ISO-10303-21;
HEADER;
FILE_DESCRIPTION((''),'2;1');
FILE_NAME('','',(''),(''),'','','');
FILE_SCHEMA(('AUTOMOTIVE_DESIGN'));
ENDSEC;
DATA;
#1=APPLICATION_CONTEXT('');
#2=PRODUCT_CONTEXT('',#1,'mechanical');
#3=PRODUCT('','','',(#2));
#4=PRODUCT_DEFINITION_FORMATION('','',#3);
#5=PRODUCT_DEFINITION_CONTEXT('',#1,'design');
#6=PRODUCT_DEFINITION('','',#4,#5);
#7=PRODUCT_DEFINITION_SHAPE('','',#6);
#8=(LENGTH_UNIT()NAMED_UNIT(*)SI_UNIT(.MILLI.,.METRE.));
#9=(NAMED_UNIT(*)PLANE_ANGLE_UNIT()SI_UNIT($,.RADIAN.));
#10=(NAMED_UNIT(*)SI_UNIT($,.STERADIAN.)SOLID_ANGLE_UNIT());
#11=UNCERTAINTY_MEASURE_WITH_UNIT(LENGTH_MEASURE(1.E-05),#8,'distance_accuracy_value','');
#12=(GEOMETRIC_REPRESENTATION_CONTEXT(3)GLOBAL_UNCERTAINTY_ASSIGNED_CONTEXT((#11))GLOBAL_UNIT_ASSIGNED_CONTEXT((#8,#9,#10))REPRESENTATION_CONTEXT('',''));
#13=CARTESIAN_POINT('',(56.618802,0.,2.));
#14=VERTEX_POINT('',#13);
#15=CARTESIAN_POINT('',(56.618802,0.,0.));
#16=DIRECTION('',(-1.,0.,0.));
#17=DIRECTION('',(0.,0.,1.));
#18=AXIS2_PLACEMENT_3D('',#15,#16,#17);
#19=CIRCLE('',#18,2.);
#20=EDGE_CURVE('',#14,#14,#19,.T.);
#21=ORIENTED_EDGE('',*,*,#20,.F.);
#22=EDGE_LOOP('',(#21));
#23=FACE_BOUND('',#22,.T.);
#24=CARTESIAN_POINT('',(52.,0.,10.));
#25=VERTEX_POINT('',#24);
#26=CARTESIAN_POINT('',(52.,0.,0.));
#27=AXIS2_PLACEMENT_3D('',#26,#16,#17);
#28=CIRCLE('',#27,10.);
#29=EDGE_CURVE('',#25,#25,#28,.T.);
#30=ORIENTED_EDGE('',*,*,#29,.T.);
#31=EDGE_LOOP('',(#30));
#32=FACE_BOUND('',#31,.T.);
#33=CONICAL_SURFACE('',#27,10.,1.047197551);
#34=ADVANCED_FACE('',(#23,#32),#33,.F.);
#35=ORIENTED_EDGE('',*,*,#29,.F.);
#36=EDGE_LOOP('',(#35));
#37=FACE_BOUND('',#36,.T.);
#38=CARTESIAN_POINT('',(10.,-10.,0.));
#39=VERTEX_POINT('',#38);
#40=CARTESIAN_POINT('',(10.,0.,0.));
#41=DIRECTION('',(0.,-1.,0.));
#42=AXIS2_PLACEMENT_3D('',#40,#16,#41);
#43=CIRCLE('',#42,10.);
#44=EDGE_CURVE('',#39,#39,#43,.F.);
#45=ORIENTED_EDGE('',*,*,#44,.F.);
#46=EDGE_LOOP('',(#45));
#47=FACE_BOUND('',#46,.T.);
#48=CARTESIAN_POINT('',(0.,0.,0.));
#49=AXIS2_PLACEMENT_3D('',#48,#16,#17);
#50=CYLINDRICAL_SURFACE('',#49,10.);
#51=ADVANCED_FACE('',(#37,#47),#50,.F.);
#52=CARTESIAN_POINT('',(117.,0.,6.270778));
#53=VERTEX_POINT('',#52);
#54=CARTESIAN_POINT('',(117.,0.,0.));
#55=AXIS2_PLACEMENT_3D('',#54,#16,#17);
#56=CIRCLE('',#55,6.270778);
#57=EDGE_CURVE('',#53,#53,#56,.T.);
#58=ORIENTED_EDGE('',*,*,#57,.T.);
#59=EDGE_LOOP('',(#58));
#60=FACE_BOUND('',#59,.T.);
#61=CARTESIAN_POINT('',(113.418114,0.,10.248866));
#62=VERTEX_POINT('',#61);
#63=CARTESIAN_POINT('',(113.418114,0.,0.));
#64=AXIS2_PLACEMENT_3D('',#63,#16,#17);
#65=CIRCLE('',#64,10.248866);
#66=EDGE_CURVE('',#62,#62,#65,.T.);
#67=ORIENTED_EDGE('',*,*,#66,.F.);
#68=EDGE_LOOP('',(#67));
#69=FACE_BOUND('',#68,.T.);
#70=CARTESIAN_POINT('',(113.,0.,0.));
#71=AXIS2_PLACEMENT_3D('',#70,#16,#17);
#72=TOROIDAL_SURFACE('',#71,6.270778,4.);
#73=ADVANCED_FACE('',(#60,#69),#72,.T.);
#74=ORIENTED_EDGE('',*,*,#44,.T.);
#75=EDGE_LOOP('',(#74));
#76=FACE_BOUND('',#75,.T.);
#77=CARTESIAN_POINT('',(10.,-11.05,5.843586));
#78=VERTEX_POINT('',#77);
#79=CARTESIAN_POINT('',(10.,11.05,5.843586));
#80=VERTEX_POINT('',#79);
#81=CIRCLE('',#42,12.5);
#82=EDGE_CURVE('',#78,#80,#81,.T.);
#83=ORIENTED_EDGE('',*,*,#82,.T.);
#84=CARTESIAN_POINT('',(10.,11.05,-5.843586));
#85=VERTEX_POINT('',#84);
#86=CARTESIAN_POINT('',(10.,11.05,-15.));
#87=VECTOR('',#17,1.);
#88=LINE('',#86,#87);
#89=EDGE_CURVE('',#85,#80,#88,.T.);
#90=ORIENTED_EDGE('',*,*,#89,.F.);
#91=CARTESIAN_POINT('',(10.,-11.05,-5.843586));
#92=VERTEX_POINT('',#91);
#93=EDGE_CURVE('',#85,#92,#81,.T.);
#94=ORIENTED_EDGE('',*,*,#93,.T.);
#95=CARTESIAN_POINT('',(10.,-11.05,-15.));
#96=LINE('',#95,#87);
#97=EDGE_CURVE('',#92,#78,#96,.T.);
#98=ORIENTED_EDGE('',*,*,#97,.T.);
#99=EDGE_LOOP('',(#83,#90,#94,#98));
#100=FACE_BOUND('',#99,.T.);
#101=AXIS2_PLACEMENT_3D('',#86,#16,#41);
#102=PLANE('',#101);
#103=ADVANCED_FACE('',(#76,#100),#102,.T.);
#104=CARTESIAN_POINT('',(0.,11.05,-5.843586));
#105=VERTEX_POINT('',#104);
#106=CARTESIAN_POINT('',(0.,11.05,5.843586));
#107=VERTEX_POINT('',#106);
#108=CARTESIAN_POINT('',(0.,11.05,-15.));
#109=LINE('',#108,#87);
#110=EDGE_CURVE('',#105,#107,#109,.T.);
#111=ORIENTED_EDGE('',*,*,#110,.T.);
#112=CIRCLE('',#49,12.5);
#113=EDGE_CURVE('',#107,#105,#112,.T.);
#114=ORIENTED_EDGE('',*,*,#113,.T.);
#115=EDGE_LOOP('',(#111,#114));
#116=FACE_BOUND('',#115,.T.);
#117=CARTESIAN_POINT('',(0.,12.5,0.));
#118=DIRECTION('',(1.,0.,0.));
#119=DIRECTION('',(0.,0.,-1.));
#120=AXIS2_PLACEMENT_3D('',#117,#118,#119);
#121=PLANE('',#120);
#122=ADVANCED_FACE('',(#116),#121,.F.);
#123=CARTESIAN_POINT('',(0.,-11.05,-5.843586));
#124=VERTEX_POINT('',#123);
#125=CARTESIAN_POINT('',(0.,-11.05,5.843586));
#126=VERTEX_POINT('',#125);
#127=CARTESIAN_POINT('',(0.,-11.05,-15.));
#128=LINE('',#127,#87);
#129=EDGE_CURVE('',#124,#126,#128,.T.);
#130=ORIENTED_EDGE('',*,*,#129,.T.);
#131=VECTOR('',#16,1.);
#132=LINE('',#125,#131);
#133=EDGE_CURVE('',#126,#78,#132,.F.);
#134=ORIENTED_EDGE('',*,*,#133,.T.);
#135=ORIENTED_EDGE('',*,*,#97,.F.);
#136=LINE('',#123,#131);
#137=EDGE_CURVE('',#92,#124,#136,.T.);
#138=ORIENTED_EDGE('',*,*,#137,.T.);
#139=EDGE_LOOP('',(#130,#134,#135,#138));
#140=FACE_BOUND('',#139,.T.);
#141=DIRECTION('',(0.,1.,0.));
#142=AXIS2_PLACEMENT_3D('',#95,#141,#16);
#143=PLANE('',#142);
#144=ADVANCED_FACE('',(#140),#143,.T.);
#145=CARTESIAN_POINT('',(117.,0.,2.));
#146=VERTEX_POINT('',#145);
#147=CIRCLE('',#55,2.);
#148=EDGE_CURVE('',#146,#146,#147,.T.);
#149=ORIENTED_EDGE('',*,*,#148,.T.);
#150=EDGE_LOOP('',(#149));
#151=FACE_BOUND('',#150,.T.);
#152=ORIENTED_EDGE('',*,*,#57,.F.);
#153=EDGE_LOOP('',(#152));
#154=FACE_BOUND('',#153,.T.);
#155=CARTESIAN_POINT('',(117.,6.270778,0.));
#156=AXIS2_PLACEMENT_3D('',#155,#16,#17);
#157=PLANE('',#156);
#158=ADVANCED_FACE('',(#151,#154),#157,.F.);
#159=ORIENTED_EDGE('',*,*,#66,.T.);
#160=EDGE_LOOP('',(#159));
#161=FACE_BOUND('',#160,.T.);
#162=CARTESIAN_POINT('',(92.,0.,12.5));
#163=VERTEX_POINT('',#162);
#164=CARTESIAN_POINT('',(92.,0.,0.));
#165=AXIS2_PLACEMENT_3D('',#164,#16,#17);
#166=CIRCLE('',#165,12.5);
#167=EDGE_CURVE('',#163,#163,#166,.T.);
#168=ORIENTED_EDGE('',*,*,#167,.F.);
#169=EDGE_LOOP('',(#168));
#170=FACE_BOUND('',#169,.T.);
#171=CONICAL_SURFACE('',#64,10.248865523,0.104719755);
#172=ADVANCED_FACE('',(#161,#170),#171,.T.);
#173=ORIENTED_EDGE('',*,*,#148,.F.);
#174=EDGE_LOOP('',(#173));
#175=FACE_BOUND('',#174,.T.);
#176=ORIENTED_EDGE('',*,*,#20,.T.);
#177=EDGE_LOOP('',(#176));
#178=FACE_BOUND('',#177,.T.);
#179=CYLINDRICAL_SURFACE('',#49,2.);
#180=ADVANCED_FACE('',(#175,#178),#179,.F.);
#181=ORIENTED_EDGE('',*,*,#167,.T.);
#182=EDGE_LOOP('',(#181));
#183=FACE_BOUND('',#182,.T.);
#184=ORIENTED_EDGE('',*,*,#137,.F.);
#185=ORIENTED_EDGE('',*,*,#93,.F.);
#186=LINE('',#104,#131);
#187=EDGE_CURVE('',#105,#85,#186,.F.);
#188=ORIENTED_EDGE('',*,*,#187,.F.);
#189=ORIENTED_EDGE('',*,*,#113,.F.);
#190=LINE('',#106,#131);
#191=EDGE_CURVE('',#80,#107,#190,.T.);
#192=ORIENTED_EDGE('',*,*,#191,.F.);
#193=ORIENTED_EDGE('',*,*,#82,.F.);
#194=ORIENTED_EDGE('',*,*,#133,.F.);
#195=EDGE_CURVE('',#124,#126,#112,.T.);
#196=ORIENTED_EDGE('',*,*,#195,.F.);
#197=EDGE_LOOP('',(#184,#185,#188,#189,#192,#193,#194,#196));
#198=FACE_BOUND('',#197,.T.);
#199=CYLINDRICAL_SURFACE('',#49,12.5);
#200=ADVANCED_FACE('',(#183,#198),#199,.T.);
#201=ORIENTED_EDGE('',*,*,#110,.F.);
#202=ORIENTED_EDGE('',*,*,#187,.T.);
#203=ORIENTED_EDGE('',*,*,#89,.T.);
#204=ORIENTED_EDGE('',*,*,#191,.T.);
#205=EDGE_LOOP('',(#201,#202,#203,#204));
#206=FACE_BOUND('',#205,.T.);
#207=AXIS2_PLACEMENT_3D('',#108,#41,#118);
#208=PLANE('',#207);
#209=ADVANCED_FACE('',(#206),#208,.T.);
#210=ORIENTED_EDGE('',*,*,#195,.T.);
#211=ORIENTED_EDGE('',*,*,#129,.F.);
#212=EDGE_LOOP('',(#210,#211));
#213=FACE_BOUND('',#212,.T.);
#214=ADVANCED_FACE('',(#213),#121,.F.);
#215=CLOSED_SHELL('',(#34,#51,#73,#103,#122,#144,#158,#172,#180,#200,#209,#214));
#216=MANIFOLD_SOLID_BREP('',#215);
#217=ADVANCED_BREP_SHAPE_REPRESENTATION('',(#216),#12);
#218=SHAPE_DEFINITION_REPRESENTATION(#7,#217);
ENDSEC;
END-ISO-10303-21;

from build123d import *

# Parameters (mm, degrees)
ESQUISSE2_W             = 10
ESQUISSE2_H             = 22.1
ENL_V_MAT_EXTRU_1_DEPTH = 15


with BuildPart() as part:
    # Esquisse1 → Révolution1 (revolve)
    with BuildSketch(Plane.XY, mode=Mode.PRIVATE) as r_volution1_sk:
        with BuildLine():
            Line((56.618802154, 2), (52, 10))
            Line((52, 10), (0, 10))
            Line((0, 10), (0, 12.5))
            Line((0, 12.5), (92, 12.5))
            Line((92, 12.5), (113.418113853, 10.248865523))
            ThreePointArc((113.418113853, 10.248865523), (115.972579302, 8.947300367), (117, 6.270777941))
            Line((117, 6.270777941), (117, 2))
            Line((117, 2), (56.618802154, 2))
        make_face()
    revolve(r_volution1_sk.sketch.rotate(Axis((0, 0, 0), (1, 0, 0)), 90), axis=Axis((0, 0, 0), (1, 0, 0)))  # turned: the seam where the file's is

    # Esquisse2 → Enlèv. mat.-Extru.1 (cut, symmetric)
    with BuildSketch(Plane.XY):
        with Locations((5, 0)):
            Rectangle(ESQUISSE2_W, ESQUISSE2_H)
    extrude(amount=ENL_V_MAT_EXTRU_1_DEPTH, both=True, mode=Mode.SUBTRACT)


solid = part.part
